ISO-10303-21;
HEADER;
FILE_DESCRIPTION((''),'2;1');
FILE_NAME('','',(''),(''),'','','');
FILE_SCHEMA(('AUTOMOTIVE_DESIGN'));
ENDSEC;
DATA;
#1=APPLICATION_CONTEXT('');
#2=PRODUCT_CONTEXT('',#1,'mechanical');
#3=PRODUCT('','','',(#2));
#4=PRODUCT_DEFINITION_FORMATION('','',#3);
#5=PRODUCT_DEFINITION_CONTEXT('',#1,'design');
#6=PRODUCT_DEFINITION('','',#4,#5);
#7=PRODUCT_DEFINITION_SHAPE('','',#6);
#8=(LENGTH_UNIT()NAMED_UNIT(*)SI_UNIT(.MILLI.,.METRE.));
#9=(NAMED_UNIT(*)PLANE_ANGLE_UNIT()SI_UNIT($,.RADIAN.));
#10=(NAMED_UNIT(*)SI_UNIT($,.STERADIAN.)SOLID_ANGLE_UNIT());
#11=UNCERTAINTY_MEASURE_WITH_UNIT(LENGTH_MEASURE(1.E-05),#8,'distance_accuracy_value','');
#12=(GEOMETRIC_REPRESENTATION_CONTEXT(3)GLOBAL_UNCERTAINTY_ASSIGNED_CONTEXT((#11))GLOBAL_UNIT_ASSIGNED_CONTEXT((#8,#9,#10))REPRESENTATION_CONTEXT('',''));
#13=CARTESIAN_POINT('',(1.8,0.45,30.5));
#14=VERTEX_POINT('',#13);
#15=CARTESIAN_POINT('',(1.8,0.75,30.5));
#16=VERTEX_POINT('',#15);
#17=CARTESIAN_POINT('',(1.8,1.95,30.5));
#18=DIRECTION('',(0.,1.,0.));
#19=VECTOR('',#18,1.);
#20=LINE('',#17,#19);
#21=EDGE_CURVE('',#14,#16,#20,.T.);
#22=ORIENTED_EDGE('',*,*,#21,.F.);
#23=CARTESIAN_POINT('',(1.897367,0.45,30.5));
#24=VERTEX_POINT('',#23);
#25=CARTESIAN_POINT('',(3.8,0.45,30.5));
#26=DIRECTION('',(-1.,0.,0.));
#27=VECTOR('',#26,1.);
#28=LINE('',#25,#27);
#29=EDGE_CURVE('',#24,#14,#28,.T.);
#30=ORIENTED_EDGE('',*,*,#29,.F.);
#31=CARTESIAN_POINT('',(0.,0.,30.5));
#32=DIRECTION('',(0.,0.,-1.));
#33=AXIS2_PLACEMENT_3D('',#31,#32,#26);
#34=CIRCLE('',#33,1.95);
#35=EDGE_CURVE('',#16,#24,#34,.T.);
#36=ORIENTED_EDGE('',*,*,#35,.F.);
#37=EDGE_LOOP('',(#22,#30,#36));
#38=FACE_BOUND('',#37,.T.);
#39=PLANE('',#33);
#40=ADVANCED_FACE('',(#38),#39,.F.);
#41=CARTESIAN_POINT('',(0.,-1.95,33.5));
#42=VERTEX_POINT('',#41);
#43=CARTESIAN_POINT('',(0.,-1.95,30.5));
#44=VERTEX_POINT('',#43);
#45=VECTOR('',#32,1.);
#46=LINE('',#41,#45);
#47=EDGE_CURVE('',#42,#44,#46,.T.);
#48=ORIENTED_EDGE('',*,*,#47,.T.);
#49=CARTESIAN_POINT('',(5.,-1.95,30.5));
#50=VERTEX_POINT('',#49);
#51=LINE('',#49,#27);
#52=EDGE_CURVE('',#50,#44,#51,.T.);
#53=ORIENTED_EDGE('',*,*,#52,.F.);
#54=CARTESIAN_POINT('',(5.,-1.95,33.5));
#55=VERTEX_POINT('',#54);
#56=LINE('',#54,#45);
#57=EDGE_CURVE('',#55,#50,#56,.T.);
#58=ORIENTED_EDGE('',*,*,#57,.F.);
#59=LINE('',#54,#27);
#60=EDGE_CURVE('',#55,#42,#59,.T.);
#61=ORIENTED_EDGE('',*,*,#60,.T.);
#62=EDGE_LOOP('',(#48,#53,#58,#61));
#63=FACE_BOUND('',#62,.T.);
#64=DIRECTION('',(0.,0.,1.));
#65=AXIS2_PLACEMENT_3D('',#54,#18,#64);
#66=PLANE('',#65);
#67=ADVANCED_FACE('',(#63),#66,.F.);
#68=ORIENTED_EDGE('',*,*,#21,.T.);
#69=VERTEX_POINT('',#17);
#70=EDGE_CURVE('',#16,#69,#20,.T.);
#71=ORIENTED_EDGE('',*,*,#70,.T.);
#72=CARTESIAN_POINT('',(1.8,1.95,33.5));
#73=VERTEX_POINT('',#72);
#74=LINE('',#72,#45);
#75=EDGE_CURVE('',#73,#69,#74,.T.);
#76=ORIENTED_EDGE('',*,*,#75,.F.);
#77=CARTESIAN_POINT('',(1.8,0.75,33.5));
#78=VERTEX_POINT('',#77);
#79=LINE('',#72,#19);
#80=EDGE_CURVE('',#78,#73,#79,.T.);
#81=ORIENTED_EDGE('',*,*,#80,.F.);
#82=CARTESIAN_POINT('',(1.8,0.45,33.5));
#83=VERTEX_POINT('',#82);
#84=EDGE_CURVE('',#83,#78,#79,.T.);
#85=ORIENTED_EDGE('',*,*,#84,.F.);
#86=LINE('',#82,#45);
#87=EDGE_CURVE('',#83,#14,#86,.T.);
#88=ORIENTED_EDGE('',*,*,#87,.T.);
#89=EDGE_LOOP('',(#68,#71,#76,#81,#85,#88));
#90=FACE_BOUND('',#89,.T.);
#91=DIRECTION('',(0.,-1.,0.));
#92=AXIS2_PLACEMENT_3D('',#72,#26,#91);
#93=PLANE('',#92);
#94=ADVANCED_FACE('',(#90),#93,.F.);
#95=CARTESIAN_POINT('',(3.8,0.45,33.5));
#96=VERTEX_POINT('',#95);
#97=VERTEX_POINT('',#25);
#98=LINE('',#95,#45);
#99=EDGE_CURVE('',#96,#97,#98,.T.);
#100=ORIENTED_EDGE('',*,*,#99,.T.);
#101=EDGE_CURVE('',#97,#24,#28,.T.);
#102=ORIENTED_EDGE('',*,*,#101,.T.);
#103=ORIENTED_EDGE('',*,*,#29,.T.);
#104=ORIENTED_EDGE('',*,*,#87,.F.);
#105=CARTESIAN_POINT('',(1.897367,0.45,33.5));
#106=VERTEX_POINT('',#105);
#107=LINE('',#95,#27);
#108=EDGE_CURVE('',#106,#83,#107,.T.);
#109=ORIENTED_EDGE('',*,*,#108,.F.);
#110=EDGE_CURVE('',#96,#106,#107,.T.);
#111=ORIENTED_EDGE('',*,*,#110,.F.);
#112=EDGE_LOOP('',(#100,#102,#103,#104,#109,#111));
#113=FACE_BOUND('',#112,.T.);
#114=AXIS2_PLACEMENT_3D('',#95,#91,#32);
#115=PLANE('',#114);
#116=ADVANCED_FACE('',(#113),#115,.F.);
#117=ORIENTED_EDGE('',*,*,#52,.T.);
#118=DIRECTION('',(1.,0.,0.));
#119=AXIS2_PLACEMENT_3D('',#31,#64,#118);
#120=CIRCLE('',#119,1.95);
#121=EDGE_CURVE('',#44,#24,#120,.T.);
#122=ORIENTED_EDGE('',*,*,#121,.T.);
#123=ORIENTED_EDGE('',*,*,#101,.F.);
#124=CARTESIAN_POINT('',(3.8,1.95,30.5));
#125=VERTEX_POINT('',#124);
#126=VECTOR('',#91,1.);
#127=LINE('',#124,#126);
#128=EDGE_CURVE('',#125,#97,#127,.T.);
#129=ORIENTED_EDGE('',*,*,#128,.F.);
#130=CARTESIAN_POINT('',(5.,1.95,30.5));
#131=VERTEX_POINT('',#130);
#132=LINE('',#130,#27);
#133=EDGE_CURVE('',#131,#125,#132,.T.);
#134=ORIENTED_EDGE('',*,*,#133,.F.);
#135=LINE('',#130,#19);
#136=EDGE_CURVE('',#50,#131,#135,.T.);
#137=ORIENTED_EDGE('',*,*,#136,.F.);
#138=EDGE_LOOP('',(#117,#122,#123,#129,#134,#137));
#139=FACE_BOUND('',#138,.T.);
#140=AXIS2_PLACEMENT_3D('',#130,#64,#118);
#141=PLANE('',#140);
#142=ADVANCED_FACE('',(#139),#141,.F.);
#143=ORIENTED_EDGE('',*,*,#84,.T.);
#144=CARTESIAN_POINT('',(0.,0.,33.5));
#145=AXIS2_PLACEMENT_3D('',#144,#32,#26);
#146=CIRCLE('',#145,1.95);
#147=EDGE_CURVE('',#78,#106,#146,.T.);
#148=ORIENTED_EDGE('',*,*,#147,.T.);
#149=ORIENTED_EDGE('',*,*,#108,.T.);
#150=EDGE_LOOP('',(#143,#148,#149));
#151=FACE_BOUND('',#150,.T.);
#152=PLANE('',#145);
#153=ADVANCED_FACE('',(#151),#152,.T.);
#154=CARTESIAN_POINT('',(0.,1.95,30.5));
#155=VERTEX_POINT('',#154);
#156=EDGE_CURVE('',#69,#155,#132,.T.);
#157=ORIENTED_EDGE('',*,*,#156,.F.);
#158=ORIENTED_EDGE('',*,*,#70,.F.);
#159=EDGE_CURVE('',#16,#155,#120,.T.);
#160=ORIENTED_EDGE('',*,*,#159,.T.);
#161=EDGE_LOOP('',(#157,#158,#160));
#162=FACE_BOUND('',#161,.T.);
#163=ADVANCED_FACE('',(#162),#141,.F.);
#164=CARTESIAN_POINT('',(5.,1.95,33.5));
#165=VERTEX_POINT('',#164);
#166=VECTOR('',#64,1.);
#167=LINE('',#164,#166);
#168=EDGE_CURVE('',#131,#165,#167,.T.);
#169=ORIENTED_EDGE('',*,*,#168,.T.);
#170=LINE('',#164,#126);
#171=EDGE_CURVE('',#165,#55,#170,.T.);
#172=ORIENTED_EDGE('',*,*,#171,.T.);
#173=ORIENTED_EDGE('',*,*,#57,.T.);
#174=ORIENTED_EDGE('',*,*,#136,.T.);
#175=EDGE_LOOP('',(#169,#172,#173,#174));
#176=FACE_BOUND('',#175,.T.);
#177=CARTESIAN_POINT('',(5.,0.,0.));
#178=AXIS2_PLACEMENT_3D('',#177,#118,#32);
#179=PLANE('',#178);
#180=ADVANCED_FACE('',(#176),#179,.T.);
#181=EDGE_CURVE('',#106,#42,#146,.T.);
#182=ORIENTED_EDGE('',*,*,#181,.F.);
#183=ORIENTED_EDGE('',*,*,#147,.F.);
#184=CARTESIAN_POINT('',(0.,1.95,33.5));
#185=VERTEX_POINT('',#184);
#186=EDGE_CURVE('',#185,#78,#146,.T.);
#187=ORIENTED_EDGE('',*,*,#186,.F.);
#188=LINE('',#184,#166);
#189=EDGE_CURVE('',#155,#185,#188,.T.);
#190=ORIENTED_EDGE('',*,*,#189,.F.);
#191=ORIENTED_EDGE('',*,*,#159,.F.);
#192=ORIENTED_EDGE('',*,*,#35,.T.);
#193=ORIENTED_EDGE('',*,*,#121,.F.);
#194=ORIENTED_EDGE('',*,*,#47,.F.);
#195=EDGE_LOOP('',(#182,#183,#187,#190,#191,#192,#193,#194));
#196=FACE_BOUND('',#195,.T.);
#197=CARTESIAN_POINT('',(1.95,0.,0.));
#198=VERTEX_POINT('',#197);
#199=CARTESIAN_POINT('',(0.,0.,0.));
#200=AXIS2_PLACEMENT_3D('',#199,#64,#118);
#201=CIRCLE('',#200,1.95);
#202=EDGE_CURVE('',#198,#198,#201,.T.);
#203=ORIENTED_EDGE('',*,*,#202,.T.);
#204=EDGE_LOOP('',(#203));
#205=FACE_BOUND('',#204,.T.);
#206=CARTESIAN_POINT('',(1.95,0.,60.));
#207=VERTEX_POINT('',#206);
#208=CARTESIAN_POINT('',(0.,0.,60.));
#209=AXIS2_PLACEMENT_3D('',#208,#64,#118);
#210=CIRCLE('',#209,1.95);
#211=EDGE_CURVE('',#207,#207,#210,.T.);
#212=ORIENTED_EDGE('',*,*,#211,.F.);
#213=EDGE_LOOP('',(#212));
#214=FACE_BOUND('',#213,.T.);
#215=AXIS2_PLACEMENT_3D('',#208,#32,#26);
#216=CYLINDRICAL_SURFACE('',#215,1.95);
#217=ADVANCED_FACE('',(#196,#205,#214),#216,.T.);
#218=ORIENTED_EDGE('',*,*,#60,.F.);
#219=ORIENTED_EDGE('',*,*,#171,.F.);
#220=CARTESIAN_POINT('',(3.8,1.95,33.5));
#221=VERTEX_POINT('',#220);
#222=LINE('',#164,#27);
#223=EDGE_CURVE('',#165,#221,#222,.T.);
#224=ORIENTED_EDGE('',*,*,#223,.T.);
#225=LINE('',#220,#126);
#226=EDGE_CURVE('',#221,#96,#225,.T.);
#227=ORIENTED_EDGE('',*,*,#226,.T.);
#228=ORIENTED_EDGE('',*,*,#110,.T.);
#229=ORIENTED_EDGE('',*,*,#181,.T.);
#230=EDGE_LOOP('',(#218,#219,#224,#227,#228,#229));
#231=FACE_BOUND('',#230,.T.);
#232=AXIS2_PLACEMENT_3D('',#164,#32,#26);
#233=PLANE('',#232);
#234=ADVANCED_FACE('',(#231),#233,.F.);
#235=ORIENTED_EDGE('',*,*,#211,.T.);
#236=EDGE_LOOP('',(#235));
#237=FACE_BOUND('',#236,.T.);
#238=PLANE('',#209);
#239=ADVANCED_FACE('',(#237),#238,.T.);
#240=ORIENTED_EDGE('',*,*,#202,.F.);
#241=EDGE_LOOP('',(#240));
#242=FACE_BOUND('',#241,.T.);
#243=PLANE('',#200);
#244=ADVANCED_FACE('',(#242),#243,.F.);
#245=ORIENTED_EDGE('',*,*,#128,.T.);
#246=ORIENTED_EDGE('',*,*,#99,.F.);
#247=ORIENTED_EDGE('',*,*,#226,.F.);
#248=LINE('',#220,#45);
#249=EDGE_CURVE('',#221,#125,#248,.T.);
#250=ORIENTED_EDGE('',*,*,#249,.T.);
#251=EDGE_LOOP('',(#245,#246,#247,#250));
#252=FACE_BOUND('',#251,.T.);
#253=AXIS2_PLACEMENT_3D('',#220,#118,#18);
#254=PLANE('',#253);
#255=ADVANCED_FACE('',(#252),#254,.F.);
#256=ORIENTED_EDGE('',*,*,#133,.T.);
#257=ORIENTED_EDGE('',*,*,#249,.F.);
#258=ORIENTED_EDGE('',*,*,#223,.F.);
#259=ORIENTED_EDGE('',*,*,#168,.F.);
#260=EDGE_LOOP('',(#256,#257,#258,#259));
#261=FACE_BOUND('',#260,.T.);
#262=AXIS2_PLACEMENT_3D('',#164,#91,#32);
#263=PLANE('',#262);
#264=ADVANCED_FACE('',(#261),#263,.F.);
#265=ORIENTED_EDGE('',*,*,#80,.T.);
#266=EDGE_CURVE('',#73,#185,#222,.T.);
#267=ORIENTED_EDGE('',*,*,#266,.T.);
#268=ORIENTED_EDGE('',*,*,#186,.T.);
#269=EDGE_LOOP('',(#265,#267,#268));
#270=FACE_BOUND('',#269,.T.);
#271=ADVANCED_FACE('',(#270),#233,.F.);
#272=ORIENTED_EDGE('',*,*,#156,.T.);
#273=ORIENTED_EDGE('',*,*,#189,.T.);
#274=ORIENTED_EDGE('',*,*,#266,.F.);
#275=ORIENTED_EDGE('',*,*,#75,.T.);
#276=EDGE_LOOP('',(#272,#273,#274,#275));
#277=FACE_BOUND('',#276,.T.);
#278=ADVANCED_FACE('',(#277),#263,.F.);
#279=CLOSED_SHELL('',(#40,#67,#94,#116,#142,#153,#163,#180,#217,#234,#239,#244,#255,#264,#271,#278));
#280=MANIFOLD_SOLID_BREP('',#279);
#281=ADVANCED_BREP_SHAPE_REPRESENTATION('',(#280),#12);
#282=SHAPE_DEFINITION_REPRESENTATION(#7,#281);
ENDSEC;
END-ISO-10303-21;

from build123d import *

# Parameters (mm, degrees)
SKETCH_1_R          = 1.95
EXTRUDE_1_DEPTH     = 60
SKETCH1_W           = 3
SKETCH1_H           = 3.9
BOSS_EXTRUDE1_DEPTH = 5
SKETCH2_W           = 2
SKETCH2_H           = 1.5
CUT_EXTRUDE1_DEPTH  = 3


with BuildPart() as part:
    # 草图1 → 凸台-拉伸1 (new body)
    with BuildSketch(Plane.XY):
        Circle(SKETCH_1_R)
    extrude(amount=EXTRUDE_1_DEPTH)

    # Sketch1 → Boss-Extrude1 (add)
    with BuildSketch(Plane(origin=(0, 0, 0), x_dir=(0, 0, -1), z_dir=(1, 0, 0))):
        with Locations((-32, 0)):
            Rectangle(SKETCH1_W, SKETCH1_H)
    extrude(amount=BOSS_EXTRUDE1_DEPTH)

    # Sketch2 → Cut-Extrude1 (cut)
    with BuildSketch(Plane(origin=(0, 0, 30.5), x_dir=(-1, 0, 0), z_dir=(0, 0, -1))):
        with Locations((-2.8, 1.2)):
            Rectangle(SKETCH2_W, SKETCH2_H)
    extrude(amount=-CUT_EXTRUDE1_DEPTH, mode=Mode.SUBTRACT)


solid = part.part
